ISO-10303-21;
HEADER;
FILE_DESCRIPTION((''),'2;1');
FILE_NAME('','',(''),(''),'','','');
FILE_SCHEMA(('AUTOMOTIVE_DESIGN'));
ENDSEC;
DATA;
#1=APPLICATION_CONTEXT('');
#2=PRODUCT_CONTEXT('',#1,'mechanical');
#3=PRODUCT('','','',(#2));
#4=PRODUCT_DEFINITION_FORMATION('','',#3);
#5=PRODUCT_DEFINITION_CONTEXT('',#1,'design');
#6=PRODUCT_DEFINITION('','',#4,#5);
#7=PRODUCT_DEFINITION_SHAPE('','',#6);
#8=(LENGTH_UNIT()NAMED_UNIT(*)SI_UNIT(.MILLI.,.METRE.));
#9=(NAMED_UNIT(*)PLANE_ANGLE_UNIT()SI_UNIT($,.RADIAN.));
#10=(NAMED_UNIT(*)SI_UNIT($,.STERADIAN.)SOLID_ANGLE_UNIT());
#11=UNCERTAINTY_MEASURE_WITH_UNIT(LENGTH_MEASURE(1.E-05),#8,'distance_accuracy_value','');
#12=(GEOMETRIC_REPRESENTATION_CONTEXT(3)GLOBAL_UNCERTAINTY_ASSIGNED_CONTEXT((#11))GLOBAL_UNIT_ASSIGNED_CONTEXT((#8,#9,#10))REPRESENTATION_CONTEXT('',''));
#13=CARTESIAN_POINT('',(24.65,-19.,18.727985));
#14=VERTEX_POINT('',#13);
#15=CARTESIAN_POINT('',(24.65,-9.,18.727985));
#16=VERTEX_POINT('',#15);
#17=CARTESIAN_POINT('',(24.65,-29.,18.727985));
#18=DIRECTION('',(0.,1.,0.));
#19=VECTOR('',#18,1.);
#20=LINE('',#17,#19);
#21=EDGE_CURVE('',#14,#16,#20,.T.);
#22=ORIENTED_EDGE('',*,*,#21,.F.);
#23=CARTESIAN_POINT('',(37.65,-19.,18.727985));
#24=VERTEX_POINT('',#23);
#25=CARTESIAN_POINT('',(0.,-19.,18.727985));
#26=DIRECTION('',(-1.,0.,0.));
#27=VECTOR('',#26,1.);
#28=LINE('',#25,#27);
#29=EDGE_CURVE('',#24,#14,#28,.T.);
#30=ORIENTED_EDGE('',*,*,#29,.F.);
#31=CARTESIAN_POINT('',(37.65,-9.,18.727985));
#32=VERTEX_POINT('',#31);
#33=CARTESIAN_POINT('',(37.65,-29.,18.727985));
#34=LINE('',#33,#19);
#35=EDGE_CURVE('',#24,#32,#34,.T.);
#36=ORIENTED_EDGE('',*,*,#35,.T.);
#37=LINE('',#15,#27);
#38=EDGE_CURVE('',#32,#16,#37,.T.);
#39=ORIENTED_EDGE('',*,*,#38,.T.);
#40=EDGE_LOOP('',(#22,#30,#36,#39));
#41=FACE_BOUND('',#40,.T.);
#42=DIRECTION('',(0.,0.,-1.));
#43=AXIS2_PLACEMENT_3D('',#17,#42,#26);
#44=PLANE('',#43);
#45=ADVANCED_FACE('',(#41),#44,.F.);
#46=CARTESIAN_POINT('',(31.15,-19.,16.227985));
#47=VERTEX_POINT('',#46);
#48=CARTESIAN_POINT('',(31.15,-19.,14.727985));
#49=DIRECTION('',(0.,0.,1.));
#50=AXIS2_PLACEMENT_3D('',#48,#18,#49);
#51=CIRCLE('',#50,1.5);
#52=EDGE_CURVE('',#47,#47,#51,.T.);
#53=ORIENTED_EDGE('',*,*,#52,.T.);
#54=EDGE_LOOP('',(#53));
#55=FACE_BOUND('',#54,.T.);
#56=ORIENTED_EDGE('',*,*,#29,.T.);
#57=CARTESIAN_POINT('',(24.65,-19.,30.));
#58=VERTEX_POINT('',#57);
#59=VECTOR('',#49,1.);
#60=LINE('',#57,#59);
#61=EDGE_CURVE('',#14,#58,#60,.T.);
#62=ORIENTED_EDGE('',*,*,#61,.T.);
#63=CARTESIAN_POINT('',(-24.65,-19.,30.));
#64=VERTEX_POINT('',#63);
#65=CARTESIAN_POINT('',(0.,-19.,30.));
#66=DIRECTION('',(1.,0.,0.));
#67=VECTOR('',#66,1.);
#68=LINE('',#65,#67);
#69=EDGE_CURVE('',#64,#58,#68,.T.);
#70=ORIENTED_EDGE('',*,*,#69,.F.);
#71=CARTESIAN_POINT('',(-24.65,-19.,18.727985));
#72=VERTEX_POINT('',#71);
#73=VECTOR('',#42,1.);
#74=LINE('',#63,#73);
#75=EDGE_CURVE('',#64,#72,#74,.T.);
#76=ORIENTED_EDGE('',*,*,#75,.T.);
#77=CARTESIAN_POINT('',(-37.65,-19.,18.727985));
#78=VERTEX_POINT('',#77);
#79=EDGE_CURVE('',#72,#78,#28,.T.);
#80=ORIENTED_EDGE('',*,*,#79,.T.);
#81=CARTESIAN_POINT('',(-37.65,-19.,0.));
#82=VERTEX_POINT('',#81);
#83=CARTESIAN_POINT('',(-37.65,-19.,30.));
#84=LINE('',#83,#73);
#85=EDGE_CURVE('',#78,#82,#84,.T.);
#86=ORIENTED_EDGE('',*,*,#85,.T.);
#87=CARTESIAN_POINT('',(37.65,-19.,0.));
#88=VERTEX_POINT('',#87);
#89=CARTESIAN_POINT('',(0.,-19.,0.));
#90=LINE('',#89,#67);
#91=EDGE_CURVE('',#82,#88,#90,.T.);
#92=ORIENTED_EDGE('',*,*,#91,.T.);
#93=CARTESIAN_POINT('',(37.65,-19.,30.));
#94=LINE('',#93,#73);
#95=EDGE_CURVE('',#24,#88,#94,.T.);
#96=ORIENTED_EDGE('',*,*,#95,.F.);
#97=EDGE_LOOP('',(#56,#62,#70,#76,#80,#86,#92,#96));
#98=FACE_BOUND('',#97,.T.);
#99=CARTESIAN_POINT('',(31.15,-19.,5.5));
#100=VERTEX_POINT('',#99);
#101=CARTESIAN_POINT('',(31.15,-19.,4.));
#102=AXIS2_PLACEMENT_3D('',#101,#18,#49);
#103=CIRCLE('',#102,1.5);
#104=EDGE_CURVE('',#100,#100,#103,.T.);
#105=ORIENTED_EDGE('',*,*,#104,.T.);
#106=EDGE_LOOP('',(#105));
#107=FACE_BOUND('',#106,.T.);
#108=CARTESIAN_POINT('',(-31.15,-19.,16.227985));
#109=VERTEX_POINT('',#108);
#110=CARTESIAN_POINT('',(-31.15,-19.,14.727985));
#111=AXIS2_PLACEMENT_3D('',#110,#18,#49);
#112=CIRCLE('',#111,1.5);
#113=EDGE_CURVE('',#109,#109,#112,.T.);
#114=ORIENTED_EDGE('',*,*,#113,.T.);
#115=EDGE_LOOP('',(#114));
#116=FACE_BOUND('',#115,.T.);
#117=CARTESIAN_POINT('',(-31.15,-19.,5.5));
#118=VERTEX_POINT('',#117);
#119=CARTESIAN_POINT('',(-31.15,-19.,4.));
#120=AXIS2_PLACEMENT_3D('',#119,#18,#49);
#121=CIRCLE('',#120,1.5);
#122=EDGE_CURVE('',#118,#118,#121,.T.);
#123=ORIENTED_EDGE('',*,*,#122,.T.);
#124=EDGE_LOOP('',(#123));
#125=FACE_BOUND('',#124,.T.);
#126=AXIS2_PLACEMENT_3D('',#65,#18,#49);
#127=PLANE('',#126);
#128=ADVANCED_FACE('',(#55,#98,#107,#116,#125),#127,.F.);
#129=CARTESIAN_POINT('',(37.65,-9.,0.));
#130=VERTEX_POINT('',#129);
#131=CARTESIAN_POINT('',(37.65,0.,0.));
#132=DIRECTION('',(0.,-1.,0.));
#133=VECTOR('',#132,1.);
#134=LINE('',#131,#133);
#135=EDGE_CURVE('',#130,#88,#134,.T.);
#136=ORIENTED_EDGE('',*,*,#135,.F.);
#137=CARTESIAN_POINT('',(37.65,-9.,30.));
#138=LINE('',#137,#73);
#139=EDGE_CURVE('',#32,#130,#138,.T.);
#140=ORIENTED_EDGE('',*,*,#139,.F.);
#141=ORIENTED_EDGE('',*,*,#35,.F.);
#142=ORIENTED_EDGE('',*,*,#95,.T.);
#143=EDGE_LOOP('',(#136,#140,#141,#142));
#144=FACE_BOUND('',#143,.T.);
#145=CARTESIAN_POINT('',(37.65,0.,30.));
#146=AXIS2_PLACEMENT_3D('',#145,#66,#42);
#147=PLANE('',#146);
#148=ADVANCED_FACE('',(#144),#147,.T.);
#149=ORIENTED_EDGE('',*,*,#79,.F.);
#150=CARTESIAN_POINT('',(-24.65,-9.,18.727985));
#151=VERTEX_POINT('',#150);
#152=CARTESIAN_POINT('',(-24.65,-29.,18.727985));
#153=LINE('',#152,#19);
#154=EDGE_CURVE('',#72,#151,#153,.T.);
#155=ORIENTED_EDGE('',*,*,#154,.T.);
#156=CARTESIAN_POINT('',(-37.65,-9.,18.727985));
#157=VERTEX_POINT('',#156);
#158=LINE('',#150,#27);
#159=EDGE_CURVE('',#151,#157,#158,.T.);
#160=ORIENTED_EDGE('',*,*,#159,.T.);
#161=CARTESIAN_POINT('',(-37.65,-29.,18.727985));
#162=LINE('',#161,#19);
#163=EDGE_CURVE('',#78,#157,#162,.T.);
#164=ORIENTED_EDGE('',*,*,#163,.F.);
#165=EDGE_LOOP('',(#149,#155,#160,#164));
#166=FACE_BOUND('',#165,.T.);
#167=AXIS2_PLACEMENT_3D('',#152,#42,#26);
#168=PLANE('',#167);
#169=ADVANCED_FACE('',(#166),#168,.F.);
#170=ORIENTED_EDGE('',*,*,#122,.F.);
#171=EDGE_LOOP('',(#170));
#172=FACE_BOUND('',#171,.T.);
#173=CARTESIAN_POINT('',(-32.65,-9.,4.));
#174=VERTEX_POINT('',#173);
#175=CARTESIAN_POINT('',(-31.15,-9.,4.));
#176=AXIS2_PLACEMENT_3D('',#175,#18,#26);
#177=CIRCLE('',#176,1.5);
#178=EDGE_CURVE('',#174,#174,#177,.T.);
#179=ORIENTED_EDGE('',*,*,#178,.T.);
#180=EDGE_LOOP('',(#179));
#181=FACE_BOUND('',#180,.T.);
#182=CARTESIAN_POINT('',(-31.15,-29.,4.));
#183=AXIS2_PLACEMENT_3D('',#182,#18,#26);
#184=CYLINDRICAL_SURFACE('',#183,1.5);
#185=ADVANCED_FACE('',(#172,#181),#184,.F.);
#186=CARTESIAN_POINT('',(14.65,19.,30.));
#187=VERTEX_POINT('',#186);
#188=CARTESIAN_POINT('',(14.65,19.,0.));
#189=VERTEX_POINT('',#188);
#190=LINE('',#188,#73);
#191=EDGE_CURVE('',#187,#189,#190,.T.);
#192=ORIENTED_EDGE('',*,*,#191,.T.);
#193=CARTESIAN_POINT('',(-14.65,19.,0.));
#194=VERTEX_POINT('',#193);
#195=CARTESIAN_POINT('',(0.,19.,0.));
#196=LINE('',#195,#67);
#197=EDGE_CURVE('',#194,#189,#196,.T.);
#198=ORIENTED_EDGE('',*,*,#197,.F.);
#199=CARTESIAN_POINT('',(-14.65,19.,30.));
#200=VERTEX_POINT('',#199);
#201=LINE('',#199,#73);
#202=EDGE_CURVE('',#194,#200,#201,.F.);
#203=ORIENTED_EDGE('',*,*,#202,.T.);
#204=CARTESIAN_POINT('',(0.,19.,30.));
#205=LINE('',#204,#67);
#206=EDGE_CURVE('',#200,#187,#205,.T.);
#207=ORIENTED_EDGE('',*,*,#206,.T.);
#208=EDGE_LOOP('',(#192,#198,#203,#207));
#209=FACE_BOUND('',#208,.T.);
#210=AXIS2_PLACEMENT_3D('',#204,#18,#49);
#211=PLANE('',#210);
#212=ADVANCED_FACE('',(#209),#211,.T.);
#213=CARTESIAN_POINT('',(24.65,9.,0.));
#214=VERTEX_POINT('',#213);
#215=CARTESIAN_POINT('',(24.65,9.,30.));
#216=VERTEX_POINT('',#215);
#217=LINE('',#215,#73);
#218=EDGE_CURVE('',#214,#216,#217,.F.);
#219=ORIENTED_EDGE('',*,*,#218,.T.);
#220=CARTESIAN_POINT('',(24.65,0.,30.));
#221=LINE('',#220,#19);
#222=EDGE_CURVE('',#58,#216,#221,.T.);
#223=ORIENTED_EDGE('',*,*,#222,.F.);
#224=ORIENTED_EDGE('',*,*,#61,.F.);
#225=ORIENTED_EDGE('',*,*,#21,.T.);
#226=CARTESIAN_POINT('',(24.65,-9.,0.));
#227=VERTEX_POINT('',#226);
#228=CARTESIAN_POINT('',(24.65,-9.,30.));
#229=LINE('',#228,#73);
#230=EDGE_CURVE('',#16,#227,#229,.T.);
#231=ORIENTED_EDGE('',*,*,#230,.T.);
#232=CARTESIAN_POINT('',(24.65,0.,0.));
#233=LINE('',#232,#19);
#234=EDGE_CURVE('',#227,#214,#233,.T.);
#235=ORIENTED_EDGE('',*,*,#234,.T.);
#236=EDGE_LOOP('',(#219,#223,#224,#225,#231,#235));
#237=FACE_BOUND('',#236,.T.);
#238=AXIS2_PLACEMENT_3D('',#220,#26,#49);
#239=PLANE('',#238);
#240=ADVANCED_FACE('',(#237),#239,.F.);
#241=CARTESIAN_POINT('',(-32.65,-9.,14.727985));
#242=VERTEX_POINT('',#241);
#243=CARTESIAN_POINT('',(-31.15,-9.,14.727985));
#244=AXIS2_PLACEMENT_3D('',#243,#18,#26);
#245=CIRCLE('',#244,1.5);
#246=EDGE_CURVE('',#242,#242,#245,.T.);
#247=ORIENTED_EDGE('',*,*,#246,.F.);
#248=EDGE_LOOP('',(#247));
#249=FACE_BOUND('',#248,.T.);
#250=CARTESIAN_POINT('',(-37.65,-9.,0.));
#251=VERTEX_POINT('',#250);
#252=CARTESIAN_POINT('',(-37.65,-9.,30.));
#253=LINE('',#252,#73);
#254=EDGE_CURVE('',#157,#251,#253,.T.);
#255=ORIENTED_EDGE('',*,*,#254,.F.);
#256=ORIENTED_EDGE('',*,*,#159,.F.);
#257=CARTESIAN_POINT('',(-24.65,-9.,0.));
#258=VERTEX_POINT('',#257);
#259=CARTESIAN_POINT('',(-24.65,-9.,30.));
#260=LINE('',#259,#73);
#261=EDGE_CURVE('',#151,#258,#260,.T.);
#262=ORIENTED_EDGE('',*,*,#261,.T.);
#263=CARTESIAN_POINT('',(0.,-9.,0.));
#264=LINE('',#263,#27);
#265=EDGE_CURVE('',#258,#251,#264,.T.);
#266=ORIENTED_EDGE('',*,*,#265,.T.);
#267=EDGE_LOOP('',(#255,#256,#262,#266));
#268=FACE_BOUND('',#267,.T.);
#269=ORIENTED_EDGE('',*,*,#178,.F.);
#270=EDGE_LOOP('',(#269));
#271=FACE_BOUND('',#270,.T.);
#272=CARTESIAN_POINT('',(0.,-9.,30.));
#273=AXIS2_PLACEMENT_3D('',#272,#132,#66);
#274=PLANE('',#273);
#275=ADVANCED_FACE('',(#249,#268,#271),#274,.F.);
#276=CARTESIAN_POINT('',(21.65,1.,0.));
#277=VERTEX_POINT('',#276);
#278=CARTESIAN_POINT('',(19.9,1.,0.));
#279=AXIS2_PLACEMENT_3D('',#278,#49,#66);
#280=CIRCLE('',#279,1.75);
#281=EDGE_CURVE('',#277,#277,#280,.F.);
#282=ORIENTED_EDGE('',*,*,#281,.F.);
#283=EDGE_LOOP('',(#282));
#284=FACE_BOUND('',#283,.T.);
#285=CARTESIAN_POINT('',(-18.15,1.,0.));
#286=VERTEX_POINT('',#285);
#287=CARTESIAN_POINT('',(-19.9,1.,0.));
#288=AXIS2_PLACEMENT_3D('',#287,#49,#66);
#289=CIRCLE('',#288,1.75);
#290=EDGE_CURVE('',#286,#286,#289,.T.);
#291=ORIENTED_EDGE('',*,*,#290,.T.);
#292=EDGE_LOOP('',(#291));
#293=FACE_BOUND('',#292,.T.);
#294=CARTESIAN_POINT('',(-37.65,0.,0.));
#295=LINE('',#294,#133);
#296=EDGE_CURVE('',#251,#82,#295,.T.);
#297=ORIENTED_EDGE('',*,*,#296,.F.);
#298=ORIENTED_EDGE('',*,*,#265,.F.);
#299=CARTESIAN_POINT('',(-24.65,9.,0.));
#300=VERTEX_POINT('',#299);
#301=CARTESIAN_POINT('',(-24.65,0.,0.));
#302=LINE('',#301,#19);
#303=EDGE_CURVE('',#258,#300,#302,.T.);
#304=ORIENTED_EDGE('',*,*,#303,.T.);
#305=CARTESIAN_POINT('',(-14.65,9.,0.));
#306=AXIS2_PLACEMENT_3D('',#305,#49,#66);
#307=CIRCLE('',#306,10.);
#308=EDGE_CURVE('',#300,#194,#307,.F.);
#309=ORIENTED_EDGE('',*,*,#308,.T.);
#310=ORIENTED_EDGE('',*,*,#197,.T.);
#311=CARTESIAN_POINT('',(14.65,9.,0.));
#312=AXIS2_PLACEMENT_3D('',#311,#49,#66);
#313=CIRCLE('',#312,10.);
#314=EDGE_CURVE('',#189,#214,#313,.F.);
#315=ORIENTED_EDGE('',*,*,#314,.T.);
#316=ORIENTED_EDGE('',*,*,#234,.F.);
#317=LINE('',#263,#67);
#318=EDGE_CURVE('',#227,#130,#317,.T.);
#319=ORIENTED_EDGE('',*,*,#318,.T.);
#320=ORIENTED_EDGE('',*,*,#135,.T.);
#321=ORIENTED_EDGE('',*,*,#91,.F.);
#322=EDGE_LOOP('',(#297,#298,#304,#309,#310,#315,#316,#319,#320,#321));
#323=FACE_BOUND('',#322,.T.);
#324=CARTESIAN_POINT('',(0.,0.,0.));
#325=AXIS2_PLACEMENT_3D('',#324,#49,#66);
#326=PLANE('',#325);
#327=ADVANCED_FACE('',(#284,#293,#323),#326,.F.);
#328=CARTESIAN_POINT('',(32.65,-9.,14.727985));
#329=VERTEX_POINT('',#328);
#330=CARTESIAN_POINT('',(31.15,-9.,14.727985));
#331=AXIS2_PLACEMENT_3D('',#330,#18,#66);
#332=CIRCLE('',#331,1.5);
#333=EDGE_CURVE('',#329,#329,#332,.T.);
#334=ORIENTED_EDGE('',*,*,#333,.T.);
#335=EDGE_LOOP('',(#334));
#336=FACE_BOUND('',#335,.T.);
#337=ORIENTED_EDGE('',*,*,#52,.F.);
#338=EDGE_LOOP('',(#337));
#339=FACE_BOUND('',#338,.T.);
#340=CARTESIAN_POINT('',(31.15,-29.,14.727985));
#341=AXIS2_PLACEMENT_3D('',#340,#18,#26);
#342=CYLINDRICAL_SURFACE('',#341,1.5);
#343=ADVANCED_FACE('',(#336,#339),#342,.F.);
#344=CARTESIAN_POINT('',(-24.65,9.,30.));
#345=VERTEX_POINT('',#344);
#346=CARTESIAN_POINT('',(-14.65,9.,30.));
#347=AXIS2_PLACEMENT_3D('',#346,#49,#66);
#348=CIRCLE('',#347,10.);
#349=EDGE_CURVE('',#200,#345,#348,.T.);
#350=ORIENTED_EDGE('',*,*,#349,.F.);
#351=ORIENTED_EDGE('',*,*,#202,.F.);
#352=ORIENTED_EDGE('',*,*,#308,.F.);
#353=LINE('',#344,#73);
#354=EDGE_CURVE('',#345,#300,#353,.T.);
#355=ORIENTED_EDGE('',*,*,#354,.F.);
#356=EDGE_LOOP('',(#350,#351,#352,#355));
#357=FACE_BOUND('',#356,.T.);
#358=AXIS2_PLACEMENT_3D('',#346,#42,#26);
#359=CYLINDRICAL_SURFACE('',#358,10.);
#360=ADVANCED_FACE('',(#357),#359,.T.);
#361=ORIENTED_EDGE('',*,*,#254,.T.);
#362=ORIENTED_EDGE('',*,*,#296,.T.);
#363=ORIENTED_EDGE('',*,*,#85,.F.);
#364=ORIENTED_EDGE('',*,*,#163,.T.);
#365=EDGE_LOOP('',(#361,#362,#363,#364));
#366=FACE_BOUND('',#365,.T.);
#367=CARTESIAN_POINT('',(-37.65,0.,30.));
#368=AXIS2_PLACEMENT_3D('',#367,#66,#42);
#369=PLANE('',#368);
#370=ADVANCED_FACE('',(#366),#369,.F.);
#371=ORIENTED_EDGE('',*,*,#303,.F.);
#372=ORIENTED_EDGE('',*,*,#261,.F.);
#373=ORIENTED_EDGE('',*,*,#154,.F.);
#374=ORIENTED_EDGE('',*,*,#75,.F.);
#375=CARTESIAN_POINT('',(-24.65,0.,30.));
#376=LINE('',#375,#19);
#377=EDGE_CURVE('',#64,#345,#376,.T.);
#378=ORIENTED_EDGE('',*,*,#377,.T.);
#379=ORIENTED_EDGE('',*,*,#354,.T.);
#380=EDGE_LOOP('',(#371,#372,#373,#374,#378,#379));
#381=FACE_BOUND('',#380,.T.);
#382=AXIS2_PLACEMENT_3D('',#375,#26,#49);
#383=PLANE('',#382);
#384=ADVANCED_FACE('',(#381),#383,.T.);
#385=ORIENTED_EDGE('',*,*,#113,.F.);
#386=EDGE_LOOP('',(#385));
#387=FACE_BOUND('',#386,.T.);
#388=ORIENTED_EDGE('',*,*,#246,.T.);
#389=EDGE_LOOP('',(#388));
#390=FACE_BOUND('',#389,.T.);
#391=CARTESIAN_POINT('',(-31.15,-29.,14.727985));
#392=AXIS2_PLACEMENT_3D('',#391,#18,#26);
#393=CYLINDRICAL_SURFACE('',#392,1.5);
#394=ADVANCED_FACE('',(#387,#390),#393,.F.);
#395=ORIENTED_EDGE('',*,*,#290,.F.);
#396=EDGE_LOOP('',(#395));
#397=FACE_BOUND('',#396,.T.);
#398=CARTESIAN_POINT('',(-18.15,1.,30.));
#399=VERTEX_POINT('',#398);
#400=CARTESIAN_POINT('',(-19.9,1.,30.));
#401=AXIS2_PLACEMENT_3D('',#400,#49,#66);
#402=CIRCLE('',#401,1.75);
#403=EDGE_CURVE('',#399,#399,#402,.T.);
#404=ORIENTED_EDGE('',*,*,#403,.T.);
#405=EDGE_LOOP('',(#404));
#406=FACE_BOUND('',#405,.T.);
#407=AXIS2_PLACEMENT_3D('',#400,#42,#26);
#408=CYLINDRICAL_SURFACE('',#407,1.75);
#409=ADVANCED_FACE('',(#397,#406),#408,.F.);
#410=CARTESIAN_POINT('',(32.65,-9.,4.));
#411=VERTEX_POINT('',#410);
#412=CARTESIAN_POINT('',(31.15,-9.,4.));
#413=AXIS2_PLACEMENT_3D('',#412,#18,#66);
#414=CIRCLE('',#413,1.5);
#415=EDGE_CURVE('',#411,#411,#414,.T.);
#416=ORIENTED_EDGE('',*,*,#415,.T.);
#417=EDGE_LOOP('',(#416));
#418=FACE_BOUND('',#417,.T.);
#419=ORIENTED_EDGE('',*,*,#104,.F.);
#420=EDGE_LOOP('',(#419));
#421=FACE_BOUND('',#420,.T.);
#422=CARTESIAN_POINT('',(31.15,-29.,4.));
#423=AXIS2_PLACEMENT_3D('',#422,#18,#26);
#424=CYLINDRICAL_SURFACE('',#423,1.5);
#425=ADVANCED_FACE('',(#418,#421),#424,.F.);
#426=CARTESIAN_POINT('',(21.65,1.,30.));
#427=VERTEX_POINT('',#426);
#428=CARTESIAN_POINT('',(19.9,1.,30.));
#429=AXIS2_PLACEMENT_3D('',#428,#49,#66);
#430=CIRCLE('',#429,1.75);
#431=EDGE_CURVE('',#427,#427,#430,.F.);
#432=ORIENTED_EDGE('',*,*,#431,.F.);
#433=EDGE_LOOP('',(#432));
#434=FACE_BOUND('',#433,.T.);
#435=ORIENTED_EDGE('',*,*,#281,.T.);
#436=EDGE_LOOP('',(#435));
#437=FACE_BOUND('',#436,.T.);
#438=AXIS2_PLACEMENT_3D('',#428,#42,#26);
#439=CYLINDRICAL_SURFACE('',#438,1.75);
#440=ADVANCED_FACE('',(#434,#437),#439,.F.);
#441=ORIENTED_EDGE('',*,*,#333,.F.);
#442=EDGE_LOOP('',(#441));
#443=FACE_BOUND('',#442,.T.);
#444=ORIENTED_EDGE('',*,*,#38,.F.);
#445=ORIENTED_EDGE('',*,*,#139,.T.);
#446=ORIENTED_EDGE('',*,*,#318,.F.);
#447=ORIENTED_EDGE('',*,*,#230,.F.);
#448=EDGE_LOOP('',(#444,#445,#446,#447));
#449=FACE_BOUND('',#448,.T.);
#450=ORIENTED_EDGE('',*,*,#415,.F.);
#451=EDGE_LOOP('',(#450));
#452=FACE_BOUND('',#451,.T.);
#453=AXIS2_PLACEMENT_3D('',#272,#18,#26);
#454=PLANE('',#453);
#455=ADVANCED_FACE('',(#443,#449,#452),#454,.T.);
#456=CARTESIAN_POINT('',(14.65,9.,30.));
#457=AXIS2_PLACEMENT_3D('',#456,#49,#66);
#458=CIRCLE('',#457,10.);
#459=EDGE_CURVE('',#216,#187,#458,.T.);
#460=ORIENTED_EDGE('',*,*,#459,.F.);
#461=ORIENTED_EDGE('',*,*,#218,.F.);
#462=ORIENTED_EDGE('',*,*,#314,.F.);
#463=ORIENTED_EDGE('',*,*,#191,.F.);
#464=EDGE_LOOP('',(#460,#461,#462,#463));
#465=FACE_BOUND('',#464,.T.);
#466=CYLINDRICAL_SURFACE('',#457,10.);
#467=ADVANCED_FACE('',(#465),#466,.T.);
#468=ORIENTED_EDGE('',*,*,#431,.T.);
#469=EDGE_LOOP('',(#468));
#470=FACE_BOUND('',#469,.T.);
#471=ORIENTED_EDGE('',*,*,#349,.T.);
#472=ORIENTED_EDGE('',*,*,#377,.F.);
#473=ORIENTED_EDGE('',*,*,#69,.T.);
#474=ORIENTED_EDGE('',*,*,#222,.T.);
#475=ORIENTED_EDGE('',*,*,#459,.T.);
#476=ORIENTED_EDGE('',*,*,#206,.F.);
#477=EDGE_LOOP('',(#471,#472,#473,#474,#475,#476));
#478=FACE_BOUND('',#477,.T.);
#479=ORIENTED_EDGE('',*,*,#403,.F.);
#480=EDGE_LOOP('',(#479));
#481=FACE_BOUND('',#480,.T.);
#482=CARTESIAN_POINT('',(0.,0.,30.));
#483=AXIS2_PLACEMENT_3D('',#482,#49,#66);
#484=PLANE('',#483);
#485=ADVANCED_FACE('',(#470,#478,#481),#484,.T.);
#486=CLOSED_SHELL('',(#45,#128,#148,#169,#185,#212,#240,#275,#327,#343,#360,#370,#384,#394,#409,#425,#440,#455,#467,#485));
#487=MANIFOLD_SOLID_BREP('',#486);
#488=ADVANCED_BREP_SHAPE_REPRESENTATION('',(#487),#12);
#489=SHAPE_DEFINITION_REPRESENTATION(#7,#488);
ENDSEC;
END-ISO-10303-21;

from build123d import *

# Parameters (mm, degrees)
SKETCH_2_W          = 49.3
SKETCH_2_H          = 38
SKETCH_2_R          = 1.75
SKETCH_2_W_2        = 13
SKETCH_2_H_2        = 10
EXTRUDE_1_DEPTH     = 30
FILLET_2_R          = 10
SKETCH_5_R          = 1.5
SKETCH_5_W          = 13
SKETCH_5_H          = 11.272014512
CUT_EXTRUDE_2_DEPTH = 20


with BuildPart() as part:
    # Эскиз2 → Бобышка-Вытянуть1 (new body)
    # profile 1 of 3: a face of its own
    with BuildSketch(Plane.XY):
        Rectangle(SKETCH_2_W, SKETCH_2_H)
        with Locations((-19.9, 1)):
            Circle(SKETCH_2_R, mode=Mode.SUBTRACT)
        with Locations((19.9, 1)):
            Circle(SKETCH_2_R, mode=Mode.SUBTRACT)
    # profile 2 of 3: a face of its own
    with BuildSketch(Plane.XY):
        with Locations((-31.15, -14)):
            Rectangle(SKETCH_2_W_2, SKETCH_2_H_2)
    # profile 3 of 3: a face of its own
    with BuildSketch(Plane.XY):
        with Locations((31.15, -14)):
            Rectangle(SKETCH_2_W_2, SKETCH_2_H_2)
    extrude(amount=EXTRUDE_1_DEPTH)

    # Скругление2
    fillet_2_edges = [part.edges().sort_by_distance(p)[0] for p in [
        (-24.65, 19, 15),
        (24.65, 19, 15),
    ]]
    fillet(fillet_2_edges, radius=FILLET_2_R)

    # Эскиз5 → Вырез-Вытянуть2 (cut)
    with BuildSketch(Plane(origin=(0, -9, 0), x_dir=(1, 0, 0), z_dir=(0, 1, 0))):
        with Locations(Location((-31.15, -4, 0), (0, 0, 180))):
            Circle(SKETCH_5_R)
        with Locations(Location((-31.15, -14.727985488, 0), (0, 0, 180))):
            Circle(SKETCH_5_R)
        with Locations(Location((31.15, -14.727985488, 0), (0, 0, 270))):
            Circle(SKETCH_5_R)
        with Locations(Location((31.15, -4, 0), (0, 0, 270))):
            Circle(SKETCH_5_R)
        with Locations((-31.15, -24.363992744)):
            Rectangle(SKETCH_5_W, SKETCH_5_H)
        with Locations((31.15, -24.363992744)):
            Rectangle(SKETCH_5_W, SKETCH_5_H)
    extrude(amount=-CUT_EXTRUDE_2_DEPTH, mode=Mode.SUBTRACT)


solid = part.part
